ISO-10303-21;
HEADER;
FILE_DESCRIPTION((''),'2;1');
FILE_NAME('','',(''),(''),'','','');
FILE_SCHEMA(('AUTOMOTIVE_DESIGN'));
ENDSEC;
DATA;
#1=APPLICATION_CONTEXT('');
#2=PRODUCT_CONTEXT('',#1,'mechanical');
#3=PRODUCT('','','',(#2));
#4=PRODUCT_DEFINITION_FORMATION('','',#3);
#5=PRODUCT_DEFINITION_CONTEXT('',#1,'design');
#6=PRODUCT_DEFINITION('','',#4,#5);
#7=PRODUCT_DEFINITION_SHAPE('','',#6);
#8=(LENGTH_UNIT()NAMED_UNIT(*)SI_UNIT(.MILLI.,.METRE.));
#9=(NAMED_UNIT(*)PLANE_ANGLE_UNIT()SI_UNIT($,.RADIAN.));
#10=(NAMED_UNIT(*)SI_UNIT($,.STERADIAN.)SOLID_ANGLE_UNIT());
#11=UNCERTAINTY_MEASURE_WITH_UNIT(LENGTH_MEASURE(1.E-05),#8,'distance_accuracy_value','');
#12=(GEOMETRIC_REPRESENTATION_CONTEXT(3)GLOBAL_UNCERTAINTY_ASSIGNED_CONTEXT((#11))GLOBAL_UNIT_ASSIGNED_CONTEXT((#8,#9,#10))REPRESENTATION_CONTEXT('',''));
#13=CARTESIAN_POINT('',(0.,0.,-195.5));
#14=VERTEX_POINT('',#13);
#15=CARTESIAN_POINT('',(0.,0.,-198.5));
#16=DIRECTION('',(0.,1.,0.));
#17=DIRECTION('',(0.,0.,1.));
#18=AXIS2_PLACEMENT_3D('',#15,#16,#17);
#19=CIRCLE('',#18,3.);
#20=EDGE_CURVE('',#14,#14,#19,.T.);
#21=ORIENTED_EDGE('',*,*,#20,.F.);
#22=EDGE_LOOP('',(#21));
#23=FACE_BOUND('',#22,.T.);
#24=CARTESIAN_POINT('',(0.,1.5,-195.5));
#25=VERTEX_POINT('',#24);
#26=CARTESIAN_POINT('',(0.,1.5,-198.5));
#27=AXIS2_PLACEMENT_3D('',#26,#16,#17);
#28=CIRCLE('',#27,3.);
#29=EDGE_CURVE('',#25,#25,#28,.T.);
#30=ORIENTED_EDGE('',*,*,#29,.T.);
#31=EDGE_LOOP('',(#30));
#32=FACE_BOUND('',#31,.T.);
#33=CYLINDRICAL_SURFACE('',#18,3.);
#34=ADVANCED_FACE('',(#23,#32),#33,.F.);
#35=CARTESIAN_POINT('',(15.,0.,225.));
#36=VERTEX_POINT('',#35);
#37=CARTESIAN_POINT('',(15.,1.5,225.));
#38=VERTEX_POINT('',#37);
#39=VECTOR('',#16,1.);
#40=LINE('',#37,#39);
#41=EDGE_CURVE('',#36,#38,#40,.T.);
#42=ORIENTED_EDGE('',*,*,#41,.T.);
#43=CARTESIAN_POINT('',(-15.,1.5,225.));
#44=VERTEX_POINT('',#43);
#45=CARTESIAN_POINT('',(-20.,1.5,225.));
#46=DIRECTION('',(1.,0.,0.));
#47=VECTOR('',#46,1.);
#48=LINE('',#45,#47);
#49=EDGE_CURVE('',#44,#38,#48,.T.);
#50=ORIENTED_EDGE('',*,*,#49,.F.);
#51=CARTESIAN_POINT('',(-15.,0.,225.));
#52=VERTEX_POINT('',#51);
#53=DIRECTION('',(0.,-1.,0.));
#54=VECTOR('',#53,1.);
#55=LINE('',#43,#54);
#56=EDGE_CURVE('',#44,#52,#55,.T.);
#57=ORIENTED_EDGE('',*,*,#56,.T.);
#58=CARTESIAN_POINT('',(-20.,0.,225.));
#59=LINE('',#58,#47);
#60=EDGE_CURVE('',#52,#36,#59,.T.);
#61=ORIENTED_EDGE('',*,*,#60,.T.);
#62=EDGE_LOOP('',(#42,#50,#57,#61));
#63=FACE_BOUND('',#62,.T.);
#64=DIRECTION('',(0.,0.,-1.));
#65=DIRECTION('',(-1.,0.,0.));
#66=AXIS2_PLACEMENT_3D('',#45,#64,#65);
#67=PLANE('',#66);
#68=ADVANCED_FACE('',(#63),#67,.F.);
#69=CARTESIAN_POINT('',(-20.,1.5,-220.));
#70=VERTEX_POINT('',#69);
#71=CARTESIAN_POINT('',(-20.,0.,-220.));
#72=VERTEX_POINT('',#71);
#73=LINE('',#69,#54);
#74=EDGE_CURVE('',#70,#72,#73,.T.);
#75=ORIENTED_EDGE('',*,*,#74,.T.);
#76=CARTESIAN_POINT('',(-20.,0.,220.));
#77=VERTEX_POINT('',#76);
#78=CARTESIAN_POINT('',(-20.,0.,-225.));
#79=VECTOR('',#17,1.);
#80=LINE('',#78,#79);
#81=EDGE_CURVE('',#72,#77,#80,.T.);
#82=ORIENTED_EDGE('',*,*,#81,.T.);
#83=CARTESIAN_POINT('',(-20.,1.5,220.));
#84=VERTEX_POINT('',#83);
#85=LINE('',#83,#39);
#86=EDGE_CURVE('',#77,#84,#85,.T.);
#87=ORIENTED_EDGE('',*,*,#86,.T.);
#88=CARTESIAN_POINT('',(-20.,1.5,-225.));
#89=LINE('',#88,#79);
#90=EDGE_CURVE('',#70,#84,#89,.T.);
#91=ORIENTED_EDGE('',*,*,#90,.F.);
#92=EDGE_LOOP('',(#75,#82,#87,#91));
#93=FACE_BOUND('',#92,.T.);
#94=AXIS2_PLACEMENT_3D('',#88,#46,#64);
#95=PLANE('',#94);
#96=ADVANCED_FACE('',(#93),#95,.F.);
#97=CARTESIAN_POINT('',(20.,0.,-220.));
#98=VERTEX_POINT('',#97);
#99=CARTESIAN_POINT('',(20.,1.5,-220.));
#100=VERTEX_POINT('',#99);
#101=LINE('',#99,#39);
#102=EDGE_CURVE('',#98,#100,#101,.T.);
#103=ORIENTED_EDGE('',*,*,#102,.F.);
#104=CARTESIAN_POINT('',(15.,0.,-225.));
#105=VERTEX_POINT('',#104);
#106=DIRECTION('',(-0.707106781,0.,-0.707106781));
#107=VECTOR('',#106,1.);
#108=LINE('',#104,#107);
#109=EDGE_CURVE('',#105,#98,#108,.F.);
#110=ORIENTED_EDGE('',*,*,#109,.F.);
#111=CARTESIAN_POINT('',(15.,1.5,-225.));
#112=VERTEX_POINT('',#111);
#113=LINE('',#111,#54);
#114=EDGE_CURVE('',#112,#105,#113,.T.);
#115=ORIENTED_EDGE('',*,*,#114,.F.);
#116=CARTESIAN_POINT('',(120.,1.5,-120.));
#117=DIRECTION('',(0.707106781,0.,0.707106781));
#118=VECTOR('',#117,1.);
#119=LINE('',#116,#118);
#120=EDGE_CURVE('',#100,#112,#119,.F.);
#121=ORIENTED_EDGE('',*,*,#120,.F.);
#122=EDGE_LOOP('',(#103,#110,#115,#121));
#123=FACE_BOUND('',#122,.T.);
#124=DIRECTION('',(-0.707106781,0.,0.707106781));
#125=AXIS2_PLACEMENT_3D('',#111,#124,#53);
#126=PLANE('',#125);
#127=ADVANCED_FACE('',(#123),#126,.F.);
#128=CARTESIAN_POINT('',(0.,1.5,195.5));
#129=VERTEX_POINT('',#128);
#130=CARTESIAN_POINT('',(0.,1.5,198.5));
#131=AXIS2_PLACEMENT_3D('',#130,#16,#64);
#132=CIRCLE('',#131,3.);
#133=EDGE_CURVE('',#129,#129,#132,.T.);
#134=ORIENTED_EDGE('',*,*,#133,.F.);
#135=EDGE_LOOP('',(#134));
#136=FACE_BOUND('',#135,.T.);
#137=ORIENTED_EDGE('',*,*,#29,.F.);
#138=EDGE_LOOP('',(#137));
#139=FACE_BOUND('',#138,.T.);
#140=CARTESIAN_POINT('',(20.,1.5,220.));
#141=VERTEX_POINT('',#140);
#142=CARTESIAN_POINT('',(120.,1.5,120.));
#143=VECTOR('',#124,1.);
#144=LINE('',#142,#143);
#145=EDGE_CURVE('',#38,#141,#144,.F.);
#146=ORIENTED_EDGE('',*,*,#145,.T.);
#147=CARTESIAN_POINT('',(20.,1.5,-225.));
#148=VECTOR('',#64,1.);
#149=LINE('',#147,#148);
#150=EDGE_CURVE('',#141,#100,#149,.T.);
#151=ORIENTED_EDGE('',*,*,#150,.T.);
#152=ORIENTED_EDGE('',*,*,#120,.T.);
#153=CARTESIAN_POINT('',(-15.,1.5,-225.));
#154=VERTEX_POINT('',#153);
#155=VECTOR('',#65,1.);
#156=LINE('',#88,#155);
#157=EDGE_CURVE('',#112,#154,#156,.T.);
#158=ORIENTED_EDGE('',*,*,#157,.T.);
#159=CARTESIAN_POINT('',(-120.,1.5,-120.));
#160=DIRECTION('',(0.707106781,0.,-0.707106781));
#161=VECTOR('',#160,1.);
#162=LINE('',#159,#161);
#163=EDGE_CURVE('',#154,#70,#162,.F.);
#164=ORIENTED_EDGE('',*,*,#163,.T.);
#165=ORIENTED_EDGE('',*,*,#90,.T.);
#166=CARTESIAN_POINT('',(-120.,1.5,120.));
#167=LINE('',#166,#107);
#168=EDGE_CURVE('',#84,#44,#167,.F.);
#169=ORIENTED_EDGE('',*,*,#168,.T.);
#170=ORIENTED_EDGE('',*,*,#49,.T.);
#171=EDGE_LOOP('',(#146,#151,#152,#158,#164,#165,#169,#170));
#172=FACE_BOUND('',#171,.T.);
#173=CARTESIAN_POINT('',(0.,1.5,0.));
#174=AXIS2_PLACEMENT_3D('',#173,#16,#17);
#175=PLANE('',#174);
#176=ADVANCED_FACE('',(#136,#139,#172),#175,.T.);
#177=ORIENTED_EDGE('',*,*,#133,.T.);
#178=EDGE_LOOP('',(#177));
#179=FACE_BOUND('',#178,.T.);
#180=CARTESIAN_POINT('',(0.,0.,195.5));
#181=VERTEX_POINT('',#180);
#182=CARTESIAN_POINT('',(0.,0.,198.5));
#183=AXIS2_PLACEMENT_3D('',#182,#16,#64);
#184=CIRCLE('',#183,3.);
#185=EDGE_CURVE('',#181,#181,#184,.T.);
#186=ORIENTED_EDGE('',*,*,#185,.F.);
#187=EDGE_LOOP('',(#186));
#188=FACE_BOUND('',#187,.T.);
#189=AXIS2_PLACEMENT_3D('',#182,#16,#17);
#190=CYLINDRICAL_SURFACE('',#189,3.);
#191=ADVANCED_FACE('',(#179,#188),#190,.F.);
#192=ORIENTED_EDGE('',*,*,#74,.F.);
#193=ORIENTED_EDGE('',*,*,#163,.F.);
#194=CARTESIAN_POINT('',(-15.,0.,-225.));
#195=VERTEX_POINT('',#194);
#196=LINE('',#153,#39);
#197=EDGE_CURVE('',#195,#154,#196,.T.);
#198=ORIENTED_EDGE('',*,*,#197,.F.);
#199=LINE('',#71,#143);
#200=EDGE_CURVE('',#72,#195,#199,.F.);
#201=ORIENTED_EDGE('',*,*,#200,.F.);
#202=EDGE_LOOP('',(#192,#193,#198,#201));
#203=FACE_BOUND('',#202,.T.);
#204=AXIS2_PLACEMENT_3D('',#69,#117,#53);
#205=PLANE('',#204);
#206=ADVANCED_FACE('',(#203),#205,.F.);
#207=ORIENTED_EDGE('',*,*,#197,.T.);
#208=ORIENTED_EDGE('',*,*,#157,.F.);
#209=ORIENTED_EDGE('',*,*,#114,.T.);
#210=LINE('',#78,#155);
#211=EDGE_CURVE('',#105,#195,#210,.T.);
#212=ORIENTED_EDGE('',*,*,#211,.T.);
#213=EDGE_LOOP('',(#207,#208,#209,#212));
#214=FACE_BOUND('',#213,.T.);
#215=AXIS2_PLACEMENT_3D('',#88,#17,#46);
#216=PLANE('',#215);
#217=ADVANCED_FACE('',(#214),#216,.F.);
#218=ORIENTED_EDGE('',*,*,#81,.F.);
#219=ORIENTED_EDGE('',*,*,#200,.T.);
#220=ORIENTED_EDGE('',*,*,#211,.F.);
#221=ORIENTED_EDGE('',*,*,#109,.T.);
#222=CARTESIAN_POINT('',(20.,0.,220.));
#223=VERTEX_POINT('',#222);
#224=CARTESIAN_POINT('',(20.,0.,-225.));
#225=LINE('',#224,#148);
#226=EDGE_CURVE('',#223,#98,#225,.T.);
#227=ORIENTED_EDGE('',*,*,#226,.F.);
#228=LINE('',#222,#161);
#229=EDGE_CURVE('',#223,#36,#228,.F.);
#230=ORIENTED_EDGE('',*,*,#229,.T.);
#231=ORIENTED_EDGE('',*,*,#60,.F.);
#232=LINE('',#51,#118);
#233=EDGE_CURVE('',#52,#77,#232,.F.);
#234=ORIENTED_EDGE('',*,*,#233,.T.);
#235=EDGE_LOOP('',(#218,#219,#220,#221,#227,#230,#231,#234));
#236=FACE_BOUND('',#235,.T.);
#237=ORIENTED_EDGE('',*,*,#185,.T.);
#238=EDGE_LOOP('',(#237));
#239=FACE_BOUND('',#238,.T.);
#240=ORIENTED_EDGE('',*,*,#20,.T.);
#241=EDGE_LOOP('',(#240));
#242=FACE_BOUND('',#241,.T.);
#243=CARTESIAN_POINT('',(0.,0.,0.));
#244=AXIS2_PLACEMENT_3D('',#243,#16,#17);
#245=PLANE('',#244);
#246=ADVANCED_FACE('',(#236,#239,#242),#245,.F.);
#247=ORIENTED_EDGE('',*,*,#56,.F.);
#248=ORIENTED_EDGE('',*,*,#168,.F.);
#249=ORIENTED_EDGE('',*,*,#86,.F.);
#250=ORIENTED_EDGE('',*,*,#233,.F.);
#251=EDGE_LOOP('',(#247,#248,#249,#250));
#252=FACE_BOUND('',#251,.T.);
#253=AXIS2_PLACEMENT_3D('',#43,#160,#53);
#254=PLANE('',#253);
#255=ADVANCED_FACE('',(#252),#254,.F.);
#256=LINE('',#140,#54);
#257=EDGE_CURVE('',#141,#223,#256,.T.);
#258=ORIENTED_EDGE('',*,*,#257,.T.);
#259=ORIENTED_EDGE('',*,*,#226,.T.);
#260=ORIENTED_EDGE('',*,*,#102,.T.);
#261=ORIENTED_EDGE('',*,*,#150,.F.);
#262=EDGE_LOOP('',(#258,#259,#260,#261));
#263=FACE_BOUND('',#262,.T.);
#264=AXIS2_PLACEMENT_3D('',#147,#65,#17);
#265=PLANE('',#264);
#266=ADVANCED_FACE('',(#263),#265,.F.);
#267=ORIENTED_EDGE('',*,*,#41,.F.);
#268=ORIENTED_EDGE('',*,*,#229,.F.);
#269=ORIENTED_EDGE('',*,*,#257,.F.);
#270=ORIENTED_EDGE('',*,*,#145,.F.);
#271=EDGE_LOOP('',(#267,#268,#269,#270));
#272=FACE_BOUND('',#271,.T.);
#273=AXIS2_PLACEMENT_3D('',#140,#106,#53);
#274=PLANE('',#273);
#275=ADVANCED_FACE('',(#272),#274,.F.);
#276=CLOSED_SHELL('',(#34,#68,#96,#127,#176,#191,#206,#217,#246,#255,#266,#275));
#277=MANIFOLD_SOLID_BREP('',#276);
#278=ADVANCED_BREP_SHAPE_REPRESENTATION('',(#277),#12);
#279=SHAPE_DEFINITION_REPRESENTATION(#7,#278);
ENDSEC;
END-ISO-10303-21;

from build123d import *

# Parameters (mm, degrees)
SKETCH1_W           = 40
SKETCH1_H           = 450
BOSS_EXTRUDE1_DEPTH = 1.5
CHAMFER1_SIZE       = 5
SKETCH2_R           = 3
CUT_EXTRUDE1_DEPTH  = 226.89212027


with BuildPart() as part:
    # Sketch1 → Boss-Extrude1 (new body)
    with BuildSketch(Plane(origin=(0, 0, 0), x_dir=(1, 0, 0), z_dir=(0, 1, 0))):
        Rectangle(SKETCH1_W, SKETCH1_H)
    extrude(amount=BOSS_EXTRUDE1_DEPTH)

    # Chamfer1
    chamfer1_edges = [part.edges().sort_by_distance(p)[0] for p in [
        (20, 0.75, 225),
        (-20, 0.75, 225),
        (-20, 0.75, -225),
        (20, 0.75, -225),
    ]]
    chamfer(chamfer1_edges, length=CHAMFER1_SIZE)

    # Sketch2 → Cut-Extrude1 (cut, through all)
    with BuildSketch(Plane(origin=(0, 1.5, 0), x_dir=(1, 0, 0), z_dir=(0, 1, 0))):
        with Locations(Location((0, 198.5, 0), (0, 0, 270))):
            Circle(SKETCH2_R)
        with Locations(Location((0, -198.5, 0), (0, 0, 90))):
            Circle(SKETCH2_R)
    extrude(amount=-CUT_EXTRUDE1_DEPTH, mode=Mode.SUBTRACT)


solid = part.part
